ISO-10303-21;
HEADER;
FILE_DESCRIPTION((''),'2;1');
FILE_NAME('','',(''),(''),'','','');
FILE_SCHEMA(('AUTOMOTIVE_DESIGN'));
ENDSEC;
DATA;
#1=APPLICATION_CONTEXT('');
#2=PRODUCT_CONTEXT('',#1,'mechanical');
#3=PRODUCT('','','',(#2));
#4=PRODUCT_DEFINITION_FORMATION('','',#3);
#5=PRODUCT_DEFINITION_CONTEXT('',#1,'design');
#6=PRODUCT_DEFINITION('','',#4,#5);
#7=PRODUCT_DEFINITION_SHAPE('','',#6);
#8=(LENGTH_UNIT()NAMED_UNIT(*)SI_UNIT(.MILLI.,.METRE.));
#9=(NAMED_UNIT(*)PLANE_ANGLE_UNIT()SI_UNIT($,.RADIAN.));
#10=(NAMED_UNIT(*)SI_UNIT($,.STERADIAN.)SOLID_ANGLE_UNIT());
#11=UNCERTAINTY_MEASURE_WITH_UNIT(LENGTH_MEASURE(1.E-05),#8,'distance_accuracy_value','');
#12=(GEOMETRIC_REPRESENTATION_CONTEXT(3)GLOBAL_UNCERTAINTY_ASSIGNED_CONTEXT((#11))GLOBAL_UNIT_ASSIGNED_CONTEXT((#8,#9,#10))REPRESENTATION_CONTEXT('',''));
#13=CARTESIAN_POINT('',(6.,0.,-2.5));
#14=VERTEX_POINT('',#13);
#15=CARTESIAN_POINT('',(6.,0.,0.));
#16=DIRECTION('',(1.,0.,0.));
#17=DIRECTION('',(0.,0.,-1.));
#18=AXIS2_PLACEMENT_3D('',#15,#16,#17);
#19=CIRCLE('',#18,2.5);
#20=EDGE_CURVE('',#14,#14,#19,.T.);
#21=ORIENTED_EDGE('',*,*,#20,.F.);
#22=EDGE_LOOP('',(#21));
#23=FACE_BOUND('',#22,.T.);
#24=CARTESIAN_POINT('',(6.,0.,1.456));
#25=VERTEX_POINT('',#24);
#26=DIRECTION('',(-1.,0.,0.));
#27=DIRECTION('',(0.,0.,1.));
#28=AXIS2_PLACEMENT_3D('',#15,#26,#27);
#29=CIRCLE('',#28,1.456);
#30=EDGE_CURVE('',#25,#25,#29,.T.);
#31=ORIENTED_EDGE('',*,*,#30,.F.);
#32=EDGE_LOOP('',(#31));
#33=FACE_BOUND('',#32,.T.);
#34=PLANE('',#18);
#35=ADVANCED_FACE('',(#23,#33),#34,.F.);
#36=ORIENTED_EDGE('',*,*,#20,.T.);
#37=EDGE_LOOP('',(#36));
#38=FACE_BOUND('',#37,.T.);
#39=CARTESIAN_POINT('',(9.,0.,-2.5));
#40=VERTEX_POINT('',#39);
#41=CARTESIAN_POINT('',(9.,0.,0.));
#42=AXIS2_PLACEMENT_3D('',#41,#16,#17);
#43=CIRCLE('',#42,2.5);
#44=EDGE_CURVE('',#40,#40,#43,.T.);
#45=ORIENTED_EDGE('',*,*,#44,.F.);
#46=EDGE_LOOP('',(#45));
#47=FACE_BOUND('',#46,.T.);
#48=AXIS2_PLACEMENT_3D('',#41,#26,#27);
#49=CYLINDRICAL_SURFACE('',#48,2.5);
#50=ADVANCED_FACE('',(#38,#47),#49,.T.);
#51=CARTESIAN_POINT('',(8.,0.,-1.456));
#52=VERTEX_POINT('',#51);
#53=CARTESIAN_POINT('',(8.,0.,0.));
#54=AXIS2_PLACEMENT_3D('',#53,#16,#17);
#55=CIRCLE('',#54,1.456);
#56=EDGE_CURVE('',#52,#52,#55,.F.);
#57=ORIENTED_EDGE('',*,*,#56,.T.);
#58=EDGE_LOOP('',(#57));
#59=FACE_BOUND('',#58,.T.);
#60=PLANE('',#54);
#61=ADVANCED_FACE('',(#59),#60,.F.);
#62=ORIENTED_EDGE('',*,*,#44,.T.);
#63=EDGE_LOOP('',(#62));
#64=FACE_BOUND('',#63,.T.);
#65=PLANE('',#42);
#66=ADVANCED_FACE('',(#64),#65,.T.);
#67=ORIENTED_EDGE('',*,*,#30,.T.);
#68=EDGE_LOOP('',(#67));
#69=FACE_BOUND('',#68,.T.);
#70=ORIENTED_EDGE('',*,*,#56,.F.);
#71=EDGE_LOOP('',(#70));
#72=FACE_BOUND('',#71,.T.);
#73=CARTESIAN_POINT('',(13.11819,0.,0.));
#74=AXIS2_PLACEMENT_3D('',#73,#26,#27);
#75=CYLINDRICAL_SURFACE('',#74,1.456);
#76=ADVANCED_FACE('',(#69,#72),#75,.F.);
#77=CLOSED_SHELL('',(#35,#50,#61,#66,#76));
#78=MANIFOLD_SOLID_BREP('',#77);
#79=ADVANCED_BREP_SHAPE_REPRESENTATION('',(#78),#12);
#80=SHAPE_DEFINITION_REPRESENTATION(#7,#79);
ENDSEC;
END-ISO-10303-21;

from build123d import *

# Parameters (mm, degrees)
SKETCH2_R               = 1.455
BOSS_EXTRUDE3_DEPTH     = 6
SKETCH3_R               = 2.5
BOSS_EXTRUDE4_DEPTH     = 3
CUT_EXTRUDE1_DEPTH      = 10.669539803
CUT_EXTRUDE1_DEPTH_BACK = 10.669539803
SKETCH4_R               = 0.5
SKETCH6_R               = 1.575
BOSS_EXTRUDE5_DEPTH     = 0.15
SKETCH8_R               = 1.455
CUT_EXTRUDE2_DEPTH      = 8
SKETCH10_R              = 3.334883887
CUT_EXTRUDE3_DEPTH      = 6.473774417
SKETCH11_R              = 1.456
CUT_EXTRUDE4_DEPTH      = 2


with BuildPart() as part:
    # Sketch2 → Boss-Extrude3 (new body)
    with BuildSketch(Plane(origin=(0, 0, 0), x_dir=(0, 0, -1), z_dir=(1, 0, 0))):
        Circle(SKETCH2_R)
    extrude(amount=BOSS_EXTRUDE3_DEPTH)

    # Sketch3 → Boss-Extrude4 (add)
    with BuildSketch(Plane(origin=(6, 0, 0), x_dir=(0, 0, -1), z_dir=(1, 0, 0))):
        Circle(SKETCH3_R)
    extrude(amount=BOSS_EXTRUDE4_DEPTH)

    # Sketch4 → Cut-Extrude1 (cut, two sides: drawn at the far end of the back side and taken through both)
    with BuildSketch(Plane(origin=(0, 0, 0), x_dir=(1, 0, 0), z_dir=(0, 1, 0)).offset(-CUT_EXTRUDE1_DEPTH_BACK)):
        with Locations(Location((3, 0, 0), (0, 0, 270))):
            Circle(SKETCH4_R)
    extrude(amount=CUT_EXTRUDE1_DEPTH + CUT_EXTRUDE1_DEPTH_BACK, mode=Mode.SUBTRACT)

    # Sketch6 → Boss-Extrude5 (add)
    with BuildSketch(Plane.ZY.offset(-3)):
        Circle(SKETCH6_R)
    extrude(amount=BOSS_EXTRUDE5_DEPTH)

    # Sketch7 → Revolve1 (revolve)
    with BuildSketch(Plane.XY, mode=Mode.PRIVATE) as revolve1_sk:
        Polygon((2.85, 1.825), (0, 0.8), (2.85, 0.8), align=None)
    revolve(revolve1_sk.sketch.rotate(Axis((9.45, 0, 0), (-1, 0, 0)), 90), axis=Axis((9.45, 0, 0), (-1, 0, 0)))

    # Sketch8 → Cut-Extrude2 (cut)
    with BuildSketch(Plane.ZY):
        with Locations(Location((0, 0, 0), (0, 0, 180))):
            Circle(SKETCH8_R)
    extrude(amount=-CUT_EXTRUDE2_DEPTH, mode=Mode.SUBTRACT)


with BuildPart() as cut_extrude2_piece_1:
    # of the separate pieces the step leaves, piece 1, a body of its own (cut_extrude2_pieces)
    add(part.part.solids().sort_by_distance((6, 0, -2.5))[0])

    # Sketch11 → Cut-Extrude4 (cut)
    with BuildSketch(Plane.ZY.offset(-6)):
        Circle(SKETCH11_R)
    extrude(amount=-CUT_EXTRUDE4_DEPTH, mode=Mode.SUBTRACT)


with BuildPart() as cut_extrude2_piece_2:
    # of the separate pieces the step leaves, piece 2, a body of its own (cut_extrude2_pieces)
    add(part.part.solids().sort_by_distance((3, 0, 1.575))[0])

    # Sketch10 → Cut-Extrude3 (cut, through all)
    with BuildSketch(Plane.ZY.offset(-6)):
        Circle(SKETCH10_R)
    extrude(amount=CUT_EXTRUDE3_DEPTH, mode=Mode.SUBTRACT)


solid = cut_extrude2_piece_1.part
